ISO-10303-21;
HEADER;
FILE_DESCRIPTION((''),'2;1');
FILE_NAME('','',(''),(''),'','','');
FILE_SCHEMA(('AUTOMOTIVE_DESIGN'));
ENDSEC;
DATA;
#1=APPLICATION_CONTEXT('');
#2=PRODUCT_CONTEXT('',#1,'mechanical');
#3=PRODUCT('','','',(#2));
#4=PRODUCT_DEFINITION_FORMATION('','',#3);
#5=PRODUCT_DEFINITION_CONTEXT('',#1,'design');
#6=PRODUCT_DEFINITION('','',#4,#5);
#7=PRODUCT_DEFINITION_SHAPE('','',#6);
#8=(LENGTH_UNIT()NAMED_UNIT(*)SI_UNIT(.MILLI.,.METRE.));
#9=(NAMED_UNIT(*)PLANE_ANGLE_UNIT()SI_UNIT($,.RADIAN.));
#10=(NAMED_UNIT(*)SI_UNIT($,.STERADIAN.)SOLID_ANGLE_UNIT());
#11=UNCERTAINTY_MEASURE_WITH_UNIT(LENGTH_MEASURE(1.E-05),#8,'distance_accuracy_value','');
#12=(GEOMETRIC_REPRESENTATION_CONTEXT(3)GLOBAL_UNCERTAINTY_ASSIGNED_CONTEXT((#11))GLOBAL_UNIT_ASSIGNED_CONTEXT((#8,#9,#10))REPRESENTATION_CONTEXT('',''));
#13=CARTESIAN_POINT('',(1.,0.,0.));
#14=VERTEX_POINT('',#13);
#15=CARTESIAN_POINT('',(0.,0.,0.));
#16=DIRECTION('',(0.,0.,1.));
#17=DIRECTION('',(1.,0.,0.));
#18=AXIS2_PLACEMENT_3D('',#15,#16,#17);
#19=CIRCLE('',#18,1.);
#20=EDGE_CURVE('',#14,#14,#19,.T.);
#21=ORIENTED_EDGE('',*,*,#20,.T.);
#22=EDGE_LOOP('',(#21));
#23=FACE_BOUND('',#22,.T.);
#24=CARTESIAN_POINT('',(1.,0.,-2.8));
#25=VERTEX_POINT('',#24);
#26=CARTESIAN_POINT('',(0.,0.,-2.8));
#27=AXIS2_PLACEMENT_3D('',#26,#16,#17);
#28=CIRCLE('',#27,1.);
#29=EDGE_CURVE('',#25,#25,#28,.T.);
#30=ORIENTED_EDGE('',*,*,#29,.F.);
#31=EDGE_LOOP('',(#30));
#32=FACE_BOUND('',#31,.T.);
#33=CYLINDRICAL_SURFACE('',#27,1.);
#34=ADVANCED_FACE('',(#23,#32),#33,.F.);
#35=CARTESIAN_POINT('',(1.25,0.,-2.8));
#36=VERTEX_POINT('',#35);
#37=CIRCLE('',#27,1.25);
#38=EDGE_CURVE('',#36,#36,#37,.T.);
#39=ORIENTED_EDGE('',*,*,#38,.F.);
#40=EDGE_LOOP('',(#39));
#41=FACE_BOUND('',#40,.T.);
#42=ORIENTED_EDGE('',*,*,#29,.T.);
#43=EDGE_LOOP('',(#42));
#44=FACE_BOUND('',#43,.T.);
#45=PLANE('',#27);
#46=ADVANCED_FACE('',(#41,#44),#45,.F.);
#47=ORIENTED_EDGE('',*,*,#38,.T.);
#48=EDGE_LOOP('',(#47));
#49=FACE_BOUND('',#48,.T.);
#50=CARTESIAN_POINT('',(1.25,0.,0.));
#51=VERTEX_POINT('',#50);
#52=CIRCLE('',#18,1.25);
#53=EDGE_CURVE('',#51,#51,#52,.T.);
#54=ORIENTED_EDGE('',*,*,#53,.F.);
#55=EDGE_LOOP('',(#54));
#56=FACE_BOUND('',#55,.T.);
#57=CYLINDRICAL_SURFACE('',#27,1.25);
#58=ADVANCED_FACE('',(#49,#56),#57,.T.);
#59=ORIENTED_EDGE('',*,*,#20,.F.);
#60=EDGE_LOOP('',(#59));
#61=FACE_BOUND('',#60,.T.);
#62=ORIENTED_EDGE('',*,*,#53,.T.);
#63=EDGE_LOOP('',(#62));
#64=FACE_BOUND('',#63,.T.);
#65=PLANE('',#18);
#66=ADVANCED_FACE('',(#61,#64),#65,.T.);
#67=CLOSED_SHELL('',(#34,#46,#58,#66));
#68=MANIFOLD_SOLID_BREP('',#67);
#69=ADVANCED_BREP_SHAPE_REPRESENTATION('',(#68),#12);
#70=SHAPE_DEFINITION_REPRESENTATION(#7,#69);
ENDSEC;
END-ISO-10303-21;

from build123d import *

# Parameters (mm, degrees)
SKETCH1_R      = 1.25
SKETCH1_R_2    = 1
EXTRUDE1_DEPTH = 2.8


with BuildPart() as part:
    # Sketch1 → Extrude1 (new body)
    with BuildSketch(Plane.XY):
        Circle(SKETCH1_R)
        Circle(SKETCH1_R_2, mode=Mode.SUBTRACT)
    extrude(amount=-EXTRUDE1_DEPTH)


solid = part.part
